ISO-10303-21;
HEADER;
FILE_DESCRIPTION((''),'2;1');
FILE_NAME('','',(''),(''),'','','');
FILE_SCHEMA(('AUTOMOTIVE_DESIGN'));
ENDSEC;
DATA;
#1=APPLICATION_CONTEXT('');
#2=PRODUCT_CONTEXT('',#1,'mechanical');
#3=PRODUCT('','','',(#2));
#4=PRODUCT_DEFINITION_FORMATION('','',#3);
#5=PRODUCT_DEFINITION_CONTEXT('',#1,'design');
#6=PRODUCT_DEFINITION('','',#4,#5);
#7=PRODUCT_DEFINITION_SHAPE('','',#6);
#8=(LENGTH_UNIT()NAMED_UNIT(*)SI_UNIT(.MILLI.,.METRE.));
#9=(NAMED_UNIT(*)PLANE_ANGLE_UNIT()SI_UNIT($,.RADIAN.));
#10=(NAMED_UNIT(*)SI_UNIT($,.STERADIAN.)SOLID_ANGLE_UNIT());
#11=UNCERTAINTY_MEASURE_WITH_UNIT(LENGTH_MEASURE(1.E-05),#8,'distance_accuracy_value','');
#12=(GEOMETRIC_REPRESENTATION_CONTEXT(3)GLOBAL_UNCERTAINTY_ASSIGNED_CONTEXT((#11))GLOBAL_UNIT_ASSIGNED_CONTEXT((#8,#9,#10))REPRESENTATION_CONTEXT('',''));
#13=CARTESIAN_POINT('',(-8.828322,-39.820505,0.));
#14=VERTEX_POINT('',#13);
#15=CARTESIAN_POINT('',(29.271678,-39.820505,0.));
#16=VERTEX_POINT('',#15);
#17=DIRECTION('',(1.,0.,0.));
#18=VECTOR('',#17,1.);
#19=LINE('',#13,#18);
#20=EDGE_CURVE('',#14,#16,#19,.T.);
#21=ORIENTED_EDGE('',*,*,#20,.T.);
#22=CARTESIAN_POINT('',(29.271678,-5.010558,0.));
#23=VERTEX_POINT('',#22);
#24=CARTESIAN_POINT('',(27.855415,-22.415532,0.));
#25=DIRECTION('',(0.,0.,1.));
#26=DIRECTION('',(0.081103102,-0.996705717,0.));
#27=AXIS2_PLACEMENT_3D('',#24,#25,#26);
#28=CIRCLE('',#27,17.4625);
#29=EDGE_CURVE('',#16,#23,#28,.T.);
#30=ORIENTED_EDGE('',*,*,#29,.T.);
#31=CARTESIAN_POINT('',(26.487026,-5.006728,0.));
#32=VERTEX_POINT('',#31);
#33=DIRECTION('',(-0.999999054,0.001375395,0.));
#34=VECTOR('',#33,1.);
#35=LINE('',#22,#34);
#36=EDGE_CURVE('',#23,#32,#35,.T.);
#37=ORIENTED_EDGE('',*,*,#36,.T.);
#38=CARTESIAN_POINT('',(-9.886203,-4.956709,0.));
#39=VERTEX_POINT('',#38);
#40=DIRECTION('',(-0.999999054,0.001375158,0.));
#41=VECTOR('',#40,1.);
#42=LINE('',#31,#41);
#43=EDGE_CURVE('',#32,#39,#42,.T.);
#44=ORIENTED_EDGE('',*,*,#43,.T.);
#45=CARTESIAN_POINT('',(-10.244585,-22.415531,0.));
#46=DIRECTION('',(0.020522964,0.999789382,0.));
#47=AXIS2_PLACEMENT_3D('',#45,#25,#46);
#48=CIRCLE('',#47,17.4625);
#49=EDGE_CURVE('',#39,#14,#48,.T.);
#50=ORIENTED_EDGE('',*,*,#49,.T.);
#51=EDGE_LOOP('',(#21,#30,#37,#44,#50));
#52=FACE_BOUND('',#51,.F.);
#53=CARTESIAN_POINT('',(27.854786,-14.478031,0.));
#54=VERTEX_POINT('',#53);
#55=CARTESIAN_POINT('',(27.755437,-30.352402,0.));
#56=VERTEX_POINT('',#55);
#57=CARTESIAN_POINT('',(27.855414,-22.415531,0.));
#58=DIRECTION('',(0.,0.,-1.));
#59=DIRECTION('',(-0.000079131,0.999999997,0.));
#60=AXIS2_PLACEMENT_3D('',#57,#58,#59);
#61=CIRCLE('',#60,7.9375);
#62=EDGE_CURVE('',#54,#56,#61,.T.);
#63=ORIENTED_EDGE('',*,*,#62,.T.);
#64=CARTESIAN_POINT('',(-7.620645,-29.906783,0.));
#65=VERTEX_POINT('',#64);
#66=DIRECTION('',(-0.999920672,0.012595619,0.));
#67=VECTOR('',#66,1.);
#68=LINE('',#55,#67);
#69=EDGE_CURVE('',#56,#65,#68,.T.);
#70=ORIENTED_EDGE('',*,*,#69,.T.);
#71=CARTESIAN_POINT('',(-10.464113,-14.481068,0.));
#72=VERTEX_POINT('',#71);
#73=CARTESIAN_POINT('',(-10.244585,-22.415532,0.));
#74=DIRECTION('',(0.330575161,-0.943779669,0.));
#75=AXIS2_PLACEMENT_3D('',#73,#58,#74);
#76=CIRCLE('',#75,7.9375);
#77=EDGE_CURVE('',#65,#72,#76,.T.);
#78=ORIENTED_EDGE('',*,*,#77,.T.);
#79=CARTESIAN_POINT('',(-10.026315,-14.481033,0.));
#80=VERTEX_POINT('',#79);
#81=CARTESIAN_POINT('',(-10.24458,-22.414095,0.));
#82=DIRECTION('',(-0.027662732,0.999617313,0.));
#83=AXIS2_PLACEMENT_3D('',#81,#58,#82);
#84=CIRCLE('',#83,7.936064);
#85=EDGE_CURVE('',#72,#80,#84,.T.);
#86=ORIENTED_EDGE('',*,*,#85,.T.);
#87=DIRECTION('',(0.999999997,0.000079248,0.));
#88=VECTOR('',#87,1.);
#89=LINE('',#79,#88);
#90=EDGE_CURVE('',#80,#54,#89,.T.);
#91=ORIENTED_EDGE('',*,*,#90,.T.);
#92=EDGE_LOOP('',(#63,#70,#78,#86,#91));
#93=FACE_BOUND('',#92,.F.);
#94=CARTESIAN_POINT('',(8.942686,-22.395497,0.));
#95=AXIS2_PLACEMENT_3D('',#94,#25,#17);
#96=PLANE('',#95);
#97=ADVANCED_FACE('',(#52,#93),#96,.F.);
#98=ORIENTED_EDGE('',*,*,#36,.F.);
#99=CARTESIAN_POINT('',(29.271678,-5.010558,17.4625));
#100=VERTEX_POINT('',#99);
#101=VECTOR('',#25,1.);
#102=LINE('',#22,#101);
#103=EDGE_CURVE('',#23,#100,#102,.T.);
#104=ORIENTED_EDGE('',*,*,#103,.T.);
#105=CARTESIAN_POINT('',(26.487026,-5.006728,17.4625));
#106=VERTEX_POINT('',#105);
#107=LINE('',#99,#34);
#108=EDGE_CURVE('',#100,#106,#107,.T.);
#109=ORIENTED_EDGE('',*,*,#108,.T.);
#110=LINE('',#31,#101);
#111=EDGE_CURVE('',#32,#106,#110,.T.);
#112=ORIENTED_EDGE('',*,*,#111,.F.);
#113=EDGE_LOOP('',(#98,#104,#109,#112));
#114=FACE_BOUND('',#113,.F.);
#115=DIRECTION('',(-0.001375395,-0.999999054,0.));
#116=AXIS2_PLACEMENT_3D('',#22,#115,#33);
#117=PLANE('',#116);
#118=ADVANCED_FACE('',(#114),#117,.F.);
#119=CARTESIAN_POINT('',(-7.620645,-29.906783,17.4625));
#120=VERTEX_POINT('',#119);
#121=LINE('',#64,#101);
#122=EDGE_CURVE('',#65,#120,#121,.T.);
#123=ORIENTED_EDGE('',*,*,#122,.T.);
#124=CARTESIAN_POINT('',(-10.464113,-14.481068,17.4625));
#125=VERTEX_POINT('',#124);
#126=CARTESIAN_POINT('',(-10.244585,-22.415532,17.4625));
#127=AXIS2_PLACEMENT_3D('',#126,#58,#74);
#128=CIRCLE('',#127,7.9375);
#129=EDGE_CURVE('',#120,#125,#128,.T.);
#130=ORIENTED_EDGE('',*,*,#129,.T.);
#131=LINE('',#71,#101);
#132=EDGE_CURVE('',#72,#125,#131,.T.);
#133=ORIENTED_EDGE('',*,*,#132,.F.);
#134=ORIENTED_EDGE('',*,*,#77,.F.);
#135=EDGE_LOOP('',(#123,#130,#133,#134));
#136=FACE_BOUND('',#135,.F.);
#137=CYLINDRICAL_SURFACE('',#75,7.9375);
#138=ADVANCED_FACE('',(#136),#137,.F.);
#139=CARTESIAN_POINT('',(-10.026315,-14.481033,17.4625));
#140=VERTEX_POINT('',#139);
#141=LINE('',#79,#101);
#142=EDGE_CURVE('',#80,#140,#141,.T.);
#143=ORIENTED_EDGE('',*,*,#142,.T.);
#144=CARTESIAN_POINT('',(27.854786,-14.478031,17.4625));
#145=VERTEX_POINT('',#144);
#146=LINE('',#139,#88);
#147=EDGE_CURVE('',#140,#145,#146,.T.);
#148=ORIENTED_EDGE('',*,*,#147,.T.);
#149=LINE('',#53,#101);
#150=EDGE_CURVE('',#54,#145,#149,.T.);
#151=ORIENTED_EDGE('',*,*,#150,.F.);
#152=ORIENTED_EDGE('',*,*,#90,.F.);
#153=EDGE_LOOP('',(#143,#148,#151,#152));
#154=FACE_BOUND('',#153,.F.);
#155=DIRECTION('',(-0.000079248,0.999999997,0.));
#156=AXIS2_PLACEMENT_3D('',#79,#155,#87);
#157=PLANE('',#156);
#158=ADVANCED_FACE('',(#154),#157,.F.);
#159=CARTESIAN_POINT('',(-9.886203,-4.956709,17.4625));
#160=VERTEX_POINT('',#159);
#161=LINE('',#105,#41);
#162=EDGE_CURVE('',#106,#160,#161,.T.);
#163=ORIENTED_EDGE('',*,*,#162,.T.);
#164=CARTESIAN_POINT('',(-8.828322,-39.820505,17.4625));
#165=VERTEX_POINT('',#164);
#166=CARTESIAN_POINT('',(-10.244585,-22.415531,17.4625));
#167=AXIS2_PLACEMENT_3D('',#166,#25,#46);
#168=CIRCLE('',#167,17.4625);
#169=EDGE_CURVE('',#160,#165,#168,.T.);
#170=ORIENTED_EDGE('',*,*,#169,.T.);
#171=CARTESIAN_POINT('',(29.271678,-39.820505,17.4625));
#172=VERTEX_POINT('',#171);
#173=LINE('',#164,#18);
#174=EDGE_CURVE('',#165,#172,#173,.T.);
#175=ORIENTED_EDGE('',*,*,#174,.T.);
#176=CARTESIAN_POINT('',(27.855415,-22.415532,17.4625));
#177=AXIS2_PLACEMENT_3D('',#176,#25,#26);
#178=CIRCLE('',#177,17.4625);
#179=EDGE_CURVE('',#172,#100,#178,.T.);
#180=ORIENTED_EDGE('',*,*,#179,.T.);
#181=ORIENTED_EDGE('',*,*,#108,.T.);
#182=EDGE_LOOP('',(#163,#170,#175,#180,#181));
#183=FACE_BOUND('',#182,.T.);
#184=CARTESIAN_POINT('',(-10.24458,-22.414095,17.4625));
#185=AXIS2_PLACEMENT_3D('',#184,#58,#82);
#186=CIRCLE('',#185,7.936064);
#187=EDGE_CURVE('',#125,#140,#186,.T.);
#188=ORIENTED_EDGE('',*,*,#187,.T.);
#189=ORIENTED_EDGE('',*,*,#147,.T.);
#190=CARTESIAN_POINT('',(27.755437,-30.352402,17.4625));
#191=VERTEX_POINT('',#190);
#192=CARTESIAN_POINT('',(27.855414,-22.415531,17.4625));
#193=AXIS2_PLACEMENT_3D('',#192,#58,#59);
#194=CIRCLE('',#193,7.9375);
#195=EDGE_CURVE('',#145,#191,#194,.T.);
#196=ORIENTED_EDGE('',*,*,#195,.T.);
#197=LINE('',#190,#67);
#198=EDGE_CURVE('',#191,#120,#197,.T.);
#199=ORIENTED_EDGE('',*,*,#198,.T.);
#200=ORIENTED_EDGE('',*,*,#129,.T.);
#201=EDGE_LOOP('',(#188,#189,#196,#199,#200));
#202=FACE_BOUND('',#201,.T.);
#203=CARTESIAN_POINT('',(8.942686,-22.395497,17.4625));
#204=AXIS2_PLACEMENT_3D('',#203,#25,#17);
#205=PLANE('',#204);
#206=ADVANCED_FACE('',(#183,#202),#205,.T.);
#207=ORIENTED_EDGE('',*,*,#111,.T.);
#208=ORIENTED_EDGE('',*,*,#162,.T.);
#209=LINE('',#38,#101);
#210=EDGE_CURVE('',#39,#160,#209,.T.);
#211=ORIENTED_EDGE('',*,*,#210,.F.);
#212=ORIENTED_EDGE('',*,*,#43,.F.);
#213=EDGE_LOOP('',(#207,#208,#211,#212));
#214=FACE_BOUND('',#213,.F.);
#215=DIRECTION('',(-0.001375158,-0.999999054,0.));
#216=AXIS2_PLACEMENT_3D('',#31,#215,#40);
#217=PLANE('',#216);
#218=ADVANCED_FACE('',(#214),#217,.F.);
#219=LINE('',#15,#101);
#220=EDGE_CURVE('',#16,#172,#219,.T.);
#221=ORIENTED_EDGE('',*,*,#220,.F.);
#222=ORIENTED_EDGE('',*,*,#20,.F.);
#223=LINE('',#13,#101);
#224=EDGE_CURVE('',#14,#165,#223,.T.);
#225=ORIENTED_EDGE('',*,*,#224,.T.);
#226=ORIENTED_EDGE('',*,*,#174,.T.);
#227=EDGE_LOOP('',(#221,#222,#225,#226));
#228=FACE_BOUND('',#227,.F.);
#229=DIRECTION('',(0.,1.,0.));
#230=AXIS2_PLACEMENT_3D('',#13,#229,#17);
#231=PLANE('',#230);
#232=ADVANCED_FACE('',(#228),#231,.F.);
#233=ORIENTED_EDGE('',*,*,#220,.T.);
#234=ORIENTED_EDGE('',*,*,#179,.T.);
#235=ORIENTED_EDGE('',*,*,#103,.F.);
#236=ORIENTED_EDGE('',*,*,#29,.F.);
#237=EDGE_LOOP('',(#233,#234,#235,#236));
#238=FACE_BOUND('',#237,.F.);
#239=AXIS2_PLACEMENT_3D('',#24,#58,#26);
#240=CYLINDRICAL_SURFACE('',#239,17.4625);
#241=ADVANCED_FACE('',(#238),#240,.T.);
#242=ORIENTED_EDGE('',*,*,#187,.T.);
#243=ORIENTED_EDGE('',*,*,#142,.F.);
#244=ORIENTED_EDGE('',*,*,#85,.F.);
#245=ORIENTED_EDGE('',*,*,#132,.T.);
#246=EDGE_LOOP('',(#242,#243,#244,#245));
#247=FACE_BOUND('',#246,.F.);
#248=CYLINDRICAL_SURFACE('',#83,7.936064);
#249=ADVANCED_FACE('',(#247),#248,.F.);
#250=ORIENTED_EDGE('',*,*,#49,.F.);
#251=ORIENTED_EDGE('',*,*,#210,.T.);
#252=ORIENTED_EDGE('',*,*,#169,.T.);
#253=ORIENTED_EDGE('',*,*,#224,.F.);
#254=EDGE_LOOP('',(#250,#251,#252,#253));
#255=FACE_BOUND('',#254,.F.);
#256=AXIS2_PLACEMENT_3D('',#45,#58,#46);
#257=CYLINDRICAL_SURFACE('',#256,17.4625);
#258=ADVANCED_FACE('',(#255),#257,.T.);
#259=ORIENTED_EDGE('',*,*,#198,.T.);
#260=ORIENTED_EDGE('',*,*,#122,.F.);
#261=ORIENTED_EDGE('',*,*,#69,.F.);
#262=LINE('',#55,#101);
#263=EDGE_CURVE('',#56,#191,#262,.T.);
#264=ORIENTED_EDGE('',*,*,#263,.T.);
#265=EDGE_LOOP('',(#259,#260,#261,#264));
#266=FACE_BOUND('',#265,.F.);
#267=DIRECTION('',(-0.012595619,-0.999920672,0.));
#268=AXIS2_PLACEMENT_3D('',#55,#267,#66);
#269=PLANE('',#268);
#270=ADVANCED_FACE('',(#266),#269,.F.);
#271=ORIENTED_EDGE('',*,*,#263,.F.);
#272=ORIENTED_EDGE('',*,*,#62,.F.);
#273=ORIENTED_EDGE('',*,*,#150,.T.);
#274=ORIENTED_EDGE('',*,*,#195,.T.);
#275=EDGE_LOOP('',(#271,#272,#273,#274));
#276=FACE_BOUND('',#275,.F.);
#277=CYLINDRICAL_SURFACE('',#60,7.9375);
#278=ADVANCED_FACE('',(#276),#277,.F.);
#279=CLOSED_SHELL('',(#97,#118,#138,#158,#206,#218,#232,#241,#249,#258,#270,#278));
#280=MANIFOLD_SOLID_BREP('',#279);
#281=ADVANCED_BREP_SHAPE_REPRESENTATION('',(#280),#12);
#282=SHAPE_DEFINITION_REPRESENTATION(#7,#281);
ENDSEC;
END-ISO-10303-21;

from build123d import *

# Parameters (mm, degrees)
F1_DEPTH = 17.4625


with BuildPart() as f1:
    # F0 (on Top) → F1 (new body)
    with BuildSketch(Plane.XY):
        with BuildLine():
            Line((-8.828322, -39.820505), (26.439151, -39.820505))
            Line((26.439151, -39.820505), (29.271678, -39.820505))
            ThreePointArc((29.271678, -39.820505), (45.317915, -22.415531), (29.271678, -5.010558))
            Line((29.271678, -5.010558), (26.487026, -5.006728))
            Line((26.487026, -5.006728), (-9.886203, -4.956709))
            ThreePointArc((-9.886203, -4.956709), (-27.699052, -22.945157), (-8.828322, -39.820505))
        make_face()
        with BuildLine():
            ThreePointArc((27.854786, -14.478031), (35.792759, -22.465207), (27.755437, -30.352402))
            Line((27.755437, -30.352402), (-7.620645, -29.906783))
            ThreePointArc((-7.620645, -29.906783), (-18.050575, -23.854432), (-10.464113, -14.481068))
            ThreePointArc((-10.464113, -14.481068), (-10.245214, -14.478031), (-10.026315, -14.481033))
            Line((-10.026315, -14.481033), (27.854786, -14.478031))
        make_face(mode=Mode.SUBTRACT)
    extrude(amount=F1_DEPTH)


solid = f1.part
